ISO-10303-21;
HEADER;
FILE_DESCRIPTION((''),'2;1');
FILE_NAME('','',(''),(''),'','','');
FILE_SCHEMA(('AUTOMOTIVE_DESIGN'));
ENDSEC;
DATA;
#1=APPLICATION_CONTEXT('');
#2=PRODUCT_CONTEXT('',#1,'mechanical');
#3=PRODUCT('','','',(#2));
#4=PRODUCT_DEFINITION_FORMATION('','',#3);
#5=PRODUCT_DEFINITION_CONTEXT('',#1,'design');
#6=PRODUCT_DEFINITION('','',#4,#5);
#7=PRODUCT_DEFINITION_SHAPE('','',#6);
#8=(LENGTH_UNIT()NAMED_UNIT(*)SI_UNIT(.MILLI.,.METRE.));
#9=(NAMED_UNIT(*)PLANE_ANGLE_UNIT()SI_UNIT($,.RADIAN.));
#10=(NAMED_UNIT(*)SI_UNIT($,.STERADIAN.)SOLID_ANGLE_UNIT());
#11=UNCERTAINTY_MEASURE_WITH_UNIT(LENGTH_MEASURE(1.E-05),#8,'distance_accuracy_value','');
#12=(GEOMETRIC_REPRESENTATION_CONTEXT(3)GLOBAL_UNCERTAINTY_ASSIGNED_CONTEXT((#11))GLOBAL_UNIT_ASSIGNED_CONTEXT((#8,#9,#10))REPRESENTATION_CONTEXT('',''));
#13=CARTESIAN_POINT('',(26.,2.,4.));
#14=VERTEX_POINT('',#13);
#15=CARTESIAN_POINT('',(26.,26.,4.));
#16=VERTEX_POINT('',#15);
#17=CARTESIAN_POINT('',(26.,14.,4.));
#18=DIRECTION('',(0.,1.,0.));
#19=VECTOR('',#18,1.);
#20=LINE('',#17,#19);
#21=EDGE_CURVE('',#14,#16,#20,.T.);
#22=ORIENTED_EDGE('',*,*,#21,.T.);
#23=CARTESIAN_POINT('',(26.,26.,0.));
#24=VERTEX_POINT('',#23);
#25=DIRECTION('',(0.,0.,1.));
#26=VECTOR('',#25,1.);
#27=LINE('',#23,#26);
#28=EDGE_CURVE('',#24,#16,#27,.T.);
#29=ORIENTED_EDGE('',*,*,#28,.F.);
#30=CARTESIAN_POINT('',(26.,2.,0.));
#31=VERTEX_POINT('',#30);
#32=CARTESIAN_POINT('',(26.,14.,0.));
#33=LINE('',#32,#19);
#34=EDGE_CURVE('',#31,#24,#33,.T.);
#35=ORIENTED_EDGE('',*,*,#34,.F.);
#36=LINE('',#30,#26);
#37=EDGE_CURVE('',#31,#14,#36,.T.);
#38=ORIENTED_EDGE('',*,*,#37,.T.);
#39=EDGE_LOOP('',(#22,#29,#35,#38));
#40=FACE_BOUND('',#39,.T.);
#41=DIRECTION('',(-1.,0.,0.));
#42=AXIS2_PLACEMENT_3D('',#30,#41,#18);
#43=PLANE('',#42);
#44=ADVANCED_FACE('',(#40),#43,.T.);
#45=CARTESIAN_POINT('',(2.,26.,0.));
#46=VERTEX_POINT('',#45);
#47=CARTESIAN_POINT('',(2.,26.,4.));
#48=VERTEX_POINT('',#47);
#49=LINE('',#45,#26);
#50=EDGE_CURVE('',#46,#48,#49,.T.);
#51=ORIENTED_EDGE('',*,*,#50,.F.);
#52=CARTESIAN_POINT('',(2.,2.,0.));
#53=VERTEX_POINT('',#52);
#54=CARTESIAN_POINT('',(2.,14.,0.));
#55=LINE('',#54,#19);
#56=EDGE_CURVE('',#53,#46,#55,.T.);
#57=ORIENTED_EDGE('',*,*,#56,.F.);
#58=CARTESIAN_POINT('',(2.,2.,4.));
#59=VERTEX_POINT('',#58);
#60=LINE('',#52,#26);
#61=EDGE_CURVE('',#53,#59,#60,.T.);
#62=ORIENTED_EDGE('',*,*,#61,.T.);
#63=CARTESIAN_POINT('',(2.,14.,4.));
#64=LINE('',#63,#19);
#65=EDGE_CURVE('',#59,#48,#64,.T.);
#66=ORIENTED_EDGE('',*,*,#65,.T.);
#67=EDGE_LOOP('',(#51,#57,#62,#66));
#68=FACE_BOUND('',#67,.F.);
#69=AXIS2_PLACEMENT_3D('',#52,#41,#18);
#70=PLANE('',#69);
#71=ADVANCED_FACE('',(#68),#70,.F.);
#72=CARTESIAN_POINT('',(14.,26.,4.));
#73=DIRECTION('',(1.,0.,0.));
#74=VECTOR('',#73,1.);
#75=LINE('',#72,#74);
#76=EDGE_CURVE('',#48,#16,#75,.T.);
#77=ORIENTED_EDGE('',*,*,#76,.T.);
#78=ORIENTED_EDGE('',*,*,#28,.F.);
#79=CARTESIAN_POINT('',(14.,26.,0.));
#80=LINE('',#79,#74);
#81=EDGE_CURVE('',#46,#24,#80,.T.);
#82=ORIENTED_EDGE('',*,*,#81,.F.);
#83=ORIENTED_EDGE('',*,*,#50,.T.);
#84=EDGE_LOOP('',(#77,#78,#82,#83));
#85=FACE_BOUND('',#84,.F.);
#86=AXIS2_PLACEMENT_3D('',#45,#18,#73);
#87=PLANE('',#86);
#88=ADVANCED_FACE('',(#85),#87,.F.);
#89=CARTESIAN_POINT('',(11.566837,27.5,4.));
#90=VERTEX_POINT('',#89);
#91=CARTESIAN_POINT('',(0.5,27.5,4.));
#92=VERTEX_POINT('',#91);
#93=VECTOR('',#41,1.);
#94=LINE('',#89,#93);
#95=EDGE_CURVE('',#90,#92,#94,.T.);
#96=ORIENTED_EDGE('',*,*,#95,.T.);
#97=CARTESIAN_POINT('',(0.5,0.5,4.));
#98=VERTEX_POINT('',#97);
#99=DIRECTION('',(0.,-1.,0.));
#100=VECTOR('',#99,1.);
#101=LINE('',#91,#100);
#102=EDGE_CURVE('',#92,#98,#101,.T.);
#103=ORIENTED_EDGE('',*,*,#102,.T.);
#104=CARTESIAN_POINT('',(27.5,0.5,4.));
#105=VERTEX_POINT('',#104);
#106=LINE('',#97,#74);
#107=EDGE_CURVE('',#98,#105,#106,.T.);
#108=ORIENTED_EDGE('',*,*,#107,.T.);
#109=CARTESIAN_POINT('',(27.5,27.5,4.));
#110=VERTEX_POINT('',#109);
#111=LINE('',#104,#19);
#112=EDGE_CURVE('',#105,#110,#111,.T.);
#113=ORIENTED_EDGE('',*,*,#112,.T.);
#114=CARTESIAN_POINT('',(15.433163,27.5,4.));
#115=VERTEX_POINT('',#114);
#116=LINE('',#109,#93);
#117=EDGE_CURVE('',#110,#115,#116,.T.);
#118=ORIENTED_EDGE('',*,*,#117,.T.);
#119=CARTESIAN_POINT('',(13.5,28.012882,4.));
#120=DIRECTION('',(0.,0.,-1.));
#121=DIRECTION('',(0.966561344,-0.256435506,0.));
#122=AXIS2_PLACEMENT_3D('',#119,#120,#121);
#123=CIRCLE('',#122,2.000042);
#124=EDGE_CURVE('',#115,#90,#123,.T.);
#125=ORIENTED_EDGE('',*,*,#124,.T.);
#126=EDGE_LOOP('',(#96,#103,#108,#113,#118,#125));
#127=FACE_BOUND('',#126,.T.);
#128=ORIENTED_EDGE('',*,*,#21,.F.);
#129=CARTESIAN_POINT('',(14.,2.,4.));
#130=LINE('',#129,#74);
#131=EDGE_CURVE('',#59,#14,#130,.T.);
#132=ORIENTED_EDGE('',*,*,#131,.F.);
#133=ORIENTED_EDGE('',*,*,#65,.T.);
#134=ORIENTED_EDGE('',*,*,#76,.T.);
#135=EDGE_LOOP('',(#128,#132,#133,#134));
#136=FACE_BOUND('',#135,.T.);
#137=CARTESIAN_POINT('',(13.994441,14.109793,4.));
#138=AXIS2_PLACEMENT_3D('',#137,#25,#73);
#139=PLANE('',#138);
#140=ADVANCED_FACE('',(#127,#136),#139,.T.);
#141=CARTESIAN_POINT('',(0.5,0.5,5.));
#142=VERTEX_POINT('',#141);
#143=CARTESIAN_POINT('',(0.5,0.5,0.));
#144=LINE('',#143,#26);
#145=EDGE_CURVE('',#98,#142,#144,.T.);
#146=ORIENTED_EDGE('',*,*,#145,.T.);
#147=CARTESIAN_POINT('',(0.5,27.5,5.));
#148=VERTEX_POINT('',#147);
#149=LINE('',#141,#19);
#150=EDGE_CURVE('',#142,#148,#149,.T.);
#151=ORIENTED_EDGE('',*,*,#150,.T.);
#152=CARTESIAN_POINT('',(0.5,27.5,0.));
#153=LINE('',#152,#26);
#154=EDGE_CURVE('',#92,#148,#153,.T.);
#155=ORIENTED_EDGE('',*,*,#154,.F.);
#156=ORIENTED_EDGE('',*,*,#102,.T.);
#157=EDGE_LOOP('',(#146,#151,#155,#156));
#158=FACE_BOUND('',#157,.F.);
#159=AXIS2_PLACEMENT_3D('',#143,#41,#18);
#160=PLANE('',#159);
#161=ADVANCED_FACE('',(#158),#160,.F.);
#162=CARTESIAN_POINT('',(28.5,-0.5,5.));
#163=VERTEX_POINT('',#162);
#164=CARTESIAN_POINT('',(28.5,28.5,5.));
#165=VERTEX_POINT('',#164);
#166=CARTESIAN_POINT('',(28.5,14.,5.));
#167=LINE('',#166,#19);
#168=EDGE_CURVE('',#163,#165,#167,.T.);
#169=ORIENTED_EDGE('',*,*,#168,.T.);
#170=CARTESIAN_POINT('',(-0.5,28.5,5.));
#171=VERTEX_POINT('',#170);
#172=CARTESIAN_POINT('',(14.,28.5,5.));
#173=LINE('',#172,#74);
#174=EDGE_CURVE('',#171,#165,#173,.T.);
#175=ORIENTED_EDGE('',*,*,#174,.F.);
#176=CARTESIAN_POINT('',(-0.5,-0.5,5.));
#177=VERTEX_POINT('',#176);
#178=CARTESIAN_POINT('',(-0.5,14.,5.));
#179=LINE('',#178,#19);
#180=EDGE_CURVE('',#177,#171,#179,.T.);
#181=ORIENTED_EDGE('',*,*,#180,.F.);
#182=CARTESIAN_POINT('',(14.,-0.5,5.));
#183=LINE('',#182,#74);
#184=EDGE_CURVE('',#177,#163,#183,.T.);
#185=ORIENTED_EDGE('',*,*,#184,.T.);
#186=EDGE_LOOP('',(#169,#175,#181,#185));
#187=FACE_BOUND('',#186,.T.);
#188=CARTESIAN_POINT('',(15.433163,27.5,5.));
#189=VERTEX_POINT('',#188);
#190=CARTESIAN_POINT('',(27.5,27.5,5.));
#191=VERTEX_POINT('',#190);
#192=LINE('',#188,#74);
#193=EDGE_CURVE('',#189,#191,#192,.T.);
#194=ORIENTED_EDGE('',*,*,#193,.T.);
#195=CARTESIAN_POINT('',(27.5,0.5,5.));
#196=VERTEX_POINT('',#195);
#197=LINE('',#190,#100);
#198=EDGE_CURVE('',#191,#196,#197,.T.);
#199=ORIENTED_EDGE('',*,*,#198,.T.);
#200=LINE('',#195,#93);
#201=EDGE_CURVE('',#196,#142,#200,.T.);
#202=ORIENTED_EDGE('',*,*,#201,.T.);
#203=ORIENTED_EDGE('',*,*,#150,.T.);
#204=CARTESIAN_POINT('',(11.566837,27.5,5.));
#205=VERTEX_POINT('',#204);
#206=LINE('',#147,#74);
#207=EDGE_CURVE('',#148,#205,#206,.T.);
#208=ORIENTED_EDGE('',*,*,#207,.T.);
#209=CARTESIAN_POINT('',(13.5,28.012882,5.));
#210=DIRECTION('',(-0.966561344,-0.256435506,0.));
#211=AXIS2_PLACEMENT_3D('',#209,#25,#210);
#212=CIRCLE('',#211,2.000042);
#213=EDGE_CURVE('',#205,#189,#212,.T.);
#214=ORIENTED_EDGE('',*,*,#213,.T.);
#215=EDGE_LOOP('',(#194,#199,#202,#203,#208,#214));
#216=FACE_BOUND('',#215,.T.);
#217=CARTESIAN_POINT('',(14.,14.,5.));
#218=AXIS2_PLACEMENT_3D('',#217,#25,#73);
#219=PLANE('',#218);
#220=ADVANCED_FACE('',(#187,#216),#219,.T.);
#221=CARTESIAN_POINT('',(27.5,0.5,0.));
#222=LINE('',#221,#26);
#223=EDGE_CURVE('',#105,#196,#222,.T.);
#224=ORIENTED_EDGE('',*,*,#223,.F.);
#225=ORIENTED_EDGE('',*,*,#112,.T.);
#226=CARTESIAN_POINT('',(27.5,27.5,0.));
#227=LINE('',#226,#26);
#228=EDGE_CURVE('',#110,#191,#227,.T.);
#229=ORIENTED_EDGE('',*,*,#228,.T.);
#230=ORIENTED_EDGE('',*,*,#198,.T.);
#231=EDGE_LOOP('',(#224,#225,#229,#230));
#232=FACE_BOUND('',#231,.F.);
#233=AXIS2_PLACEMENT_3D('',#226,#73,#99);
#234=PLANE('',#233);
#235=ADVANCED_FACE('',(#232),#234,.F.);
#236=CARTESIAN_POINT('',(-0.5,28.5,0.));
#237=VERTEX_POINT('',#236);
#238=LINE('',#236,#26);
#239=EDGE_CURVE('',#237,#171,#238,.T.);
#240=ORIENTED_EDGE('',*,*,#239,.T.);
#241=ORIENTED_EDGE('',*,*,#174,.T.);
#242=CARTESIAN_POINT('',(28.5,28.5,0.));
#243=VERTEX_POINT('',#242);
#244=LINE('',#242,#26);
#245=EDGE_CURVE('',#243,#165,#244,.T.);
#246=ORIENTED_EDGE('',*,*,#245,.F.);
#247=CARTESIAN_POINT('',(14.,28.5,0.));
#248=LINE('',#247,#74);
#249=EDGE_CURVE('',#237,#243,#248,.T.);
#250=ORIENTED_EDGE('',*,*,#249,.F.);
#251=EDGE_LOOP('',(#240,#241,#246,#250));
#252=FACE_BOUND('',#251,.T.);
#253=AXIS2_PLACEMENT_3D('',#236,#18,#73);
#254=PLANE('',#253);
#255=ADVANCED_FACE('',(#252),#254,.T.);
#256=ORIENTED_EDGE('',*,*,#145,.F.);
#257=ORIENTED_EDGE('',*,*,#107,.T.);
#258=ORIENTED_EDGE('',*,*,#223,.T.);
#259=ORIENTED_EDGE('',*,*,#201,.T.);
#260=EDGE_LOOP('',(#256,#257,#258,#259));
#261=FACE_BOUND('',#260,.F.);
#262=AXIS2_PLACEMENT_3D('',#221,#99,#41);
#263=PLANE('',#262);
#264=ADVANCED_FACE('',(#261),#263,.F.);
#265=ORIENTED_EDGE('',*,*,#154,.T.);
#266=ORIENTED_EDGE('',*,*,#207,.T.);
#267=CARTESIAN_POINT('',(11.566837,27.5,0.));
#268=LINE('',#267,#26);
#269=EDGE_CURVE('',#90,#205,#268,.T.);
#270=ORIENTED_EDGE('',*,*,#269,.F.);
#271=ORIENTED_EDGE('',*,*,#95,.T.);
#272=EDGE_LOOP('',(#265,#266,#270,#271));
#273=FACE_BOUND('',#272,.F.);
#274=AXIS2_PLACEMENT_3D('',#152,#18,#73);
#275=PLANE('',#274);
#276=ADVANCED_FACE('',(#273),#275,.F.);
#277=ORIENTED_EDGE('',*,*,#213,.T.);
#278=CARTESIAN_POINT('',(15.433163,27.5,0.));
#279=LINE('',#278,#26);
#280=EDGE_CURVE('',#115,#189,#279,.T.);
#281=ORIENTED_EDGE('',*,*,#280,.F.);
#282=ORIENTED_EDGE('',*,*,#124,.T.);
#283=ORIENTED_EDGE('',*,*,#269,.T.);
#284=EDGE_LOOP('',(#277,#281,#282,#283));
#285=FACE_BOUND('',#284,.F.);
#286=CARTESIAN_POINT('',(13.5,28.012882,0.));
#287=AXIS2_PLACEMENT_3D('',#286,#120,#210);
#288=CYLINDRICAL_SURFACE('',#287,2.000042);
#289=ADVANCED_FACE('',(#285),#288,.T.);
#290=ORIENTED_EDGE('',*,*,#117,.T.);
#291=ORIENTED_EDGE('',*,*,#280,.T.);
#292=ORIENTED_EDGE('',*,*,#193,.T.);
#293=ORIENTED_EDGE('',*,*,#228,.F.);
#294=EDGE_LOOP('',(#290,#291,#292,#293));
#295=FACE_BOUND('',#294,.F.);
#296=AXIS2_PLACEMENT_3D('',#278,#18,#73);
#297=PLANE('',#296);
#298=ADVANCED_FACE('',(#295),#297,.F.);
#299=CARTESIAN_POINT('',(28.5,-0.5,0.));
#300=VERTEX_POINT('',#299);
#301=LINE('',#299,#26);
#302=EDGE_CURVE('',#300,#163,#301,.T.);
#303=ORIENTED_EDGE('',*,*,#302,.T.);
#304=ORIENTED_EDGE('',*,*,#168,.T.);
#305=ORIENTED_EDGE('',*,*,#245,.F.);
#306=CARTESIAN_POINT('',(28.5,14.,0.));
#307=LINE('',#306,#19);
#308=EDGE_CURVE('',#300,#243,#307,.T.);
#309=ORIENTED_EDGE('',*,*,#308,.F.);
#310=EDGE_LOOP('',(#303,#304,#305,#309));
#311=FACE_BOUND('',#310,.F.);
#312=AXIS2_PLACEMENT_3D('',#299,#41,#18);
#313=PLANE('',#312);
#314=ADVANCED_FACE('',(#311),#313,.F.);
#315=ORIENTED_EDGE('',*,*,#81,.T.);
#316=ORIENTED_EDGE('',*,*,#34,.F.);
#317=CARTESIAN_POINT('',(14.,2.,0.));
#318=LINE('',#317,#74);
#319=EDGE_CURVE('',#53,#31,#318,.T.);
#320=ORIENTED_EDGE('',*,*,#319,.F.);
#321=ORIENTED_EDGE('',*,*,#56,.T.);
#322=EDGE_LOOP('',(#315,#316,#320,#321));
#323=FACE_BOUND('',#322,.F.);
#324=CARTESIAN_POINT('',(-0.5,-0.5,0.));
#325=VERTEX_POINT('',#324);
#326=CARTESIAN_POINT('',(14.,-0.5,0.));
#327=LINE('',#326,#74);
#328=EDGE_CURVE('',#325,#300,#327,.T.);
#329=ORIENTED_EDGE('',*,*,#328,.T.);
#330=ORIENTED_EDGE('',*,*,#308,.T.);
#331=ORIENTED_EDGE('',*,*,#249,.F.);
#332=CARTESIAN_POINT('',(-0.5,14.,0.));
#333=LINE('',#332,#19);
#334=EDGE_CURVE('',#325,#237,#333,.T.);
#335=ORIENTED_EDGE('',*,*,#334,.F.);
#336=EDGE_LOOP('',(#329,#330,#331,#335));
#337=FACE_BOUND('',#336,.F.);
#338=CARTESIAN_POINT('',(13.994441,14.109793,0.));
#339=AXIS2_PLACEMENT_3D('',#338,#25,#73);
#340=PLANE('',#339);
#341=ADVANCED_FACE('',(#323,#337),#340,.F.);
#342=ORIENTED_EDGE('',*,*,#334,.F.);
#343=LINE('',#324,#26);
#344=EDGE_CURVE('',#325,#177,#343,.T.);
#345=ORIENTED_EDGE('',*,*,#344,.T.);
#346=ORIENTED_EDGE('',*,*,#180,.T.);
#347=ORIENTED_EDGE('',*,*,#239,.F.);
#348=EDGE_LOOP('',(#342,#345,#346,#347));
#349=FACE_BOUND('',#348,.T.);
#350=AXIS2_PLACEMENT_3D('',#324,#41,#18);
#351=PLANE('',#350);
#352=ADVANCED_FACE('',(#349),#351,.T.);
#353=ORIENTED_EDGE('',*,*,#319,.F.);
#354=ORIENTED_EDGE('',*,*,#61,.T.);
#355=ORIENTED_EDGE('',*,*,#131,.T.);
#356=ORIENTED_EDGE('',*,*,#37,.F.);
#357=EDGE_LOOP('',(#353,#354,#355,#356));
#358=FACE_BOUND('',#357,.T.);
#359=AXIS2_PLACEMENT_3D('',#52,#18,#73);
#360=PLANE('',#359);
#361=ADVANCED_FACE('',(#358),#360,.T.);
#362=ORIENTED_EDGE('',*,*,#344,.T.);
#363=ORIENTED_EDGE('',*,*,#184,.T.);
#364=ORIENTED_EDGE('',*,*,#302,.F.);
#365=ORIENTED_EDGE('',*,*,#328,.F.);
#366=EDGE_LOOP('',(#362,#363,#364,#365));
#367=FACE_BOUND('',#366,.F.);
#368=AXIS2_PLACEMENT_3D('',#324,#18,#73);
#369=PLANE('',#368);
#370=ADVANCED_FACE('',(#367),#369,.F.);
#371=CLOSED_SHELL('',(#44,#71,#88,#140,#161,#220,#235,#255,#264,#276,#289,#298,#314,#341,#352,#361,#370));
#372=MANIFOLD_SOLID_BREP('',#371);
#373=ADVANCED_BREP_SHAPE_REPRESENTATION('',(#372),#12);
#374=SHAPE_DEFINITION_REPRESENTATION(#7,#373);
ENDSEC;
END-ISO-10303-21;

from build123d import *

# Parameters (mm, degrees)
F0_W     = 29
F0_H     = 29
F1_DEPTH = 5
F0_W_2   = 24
F0_H_2   = 24
F2_DEPTH = 4


with BuildPart() as f1:
    # F0 (on Top) → F1 (new body)
    with BuildSketch(Plane.XY):
        with Locations((14, 14)):
            Rectangle(F0_W, F0_H)
        with BuildLine():
            Line((0.5, 27.5), (11.566837, 27.5))
            ThreePointArc((11.566837, 27.5), (13.5, 26.01284), (15.433163, 27.5))
            Line((15.433163, 27.5), (27.5, 27.5))
            Line((27.5, 27.5), (27.5, 0.5))
            Line((27.5, 0.5), (0.5, 0.5))
            Line((0.5, 0.5), (0.5, 27.5))
        make_face(mode=Mode.SUBTRACT)
    extrude(amount=F1_DEPTH)

    # F0 (on Top) → F2 (join)
    with BuildSketch(Plane.XY):
        with BuildLine():
            ThreePointArc((15.433163, 27.5), (13.5, 26.01284), (11.566837, 27.5))
            Line((11.566837, 27.5), (0.5, 27.5))
            Line((0.5, 27.5), (0.5, 0.5))
            Line((0.5, 0.5), (27.5, 0.5))
            Line((27.5, 0.5), (27.5, 27.5))
            Line((27.5, 27.5), (15.433163, 27.5))
        make_face()
        with Locations((14, 14)):
            Rectangle(F0_W_2, F0_H_2, mode=Mode.SUBTRACT)
    extrude(amount=F2_DEPTH)


solid = f1.part
